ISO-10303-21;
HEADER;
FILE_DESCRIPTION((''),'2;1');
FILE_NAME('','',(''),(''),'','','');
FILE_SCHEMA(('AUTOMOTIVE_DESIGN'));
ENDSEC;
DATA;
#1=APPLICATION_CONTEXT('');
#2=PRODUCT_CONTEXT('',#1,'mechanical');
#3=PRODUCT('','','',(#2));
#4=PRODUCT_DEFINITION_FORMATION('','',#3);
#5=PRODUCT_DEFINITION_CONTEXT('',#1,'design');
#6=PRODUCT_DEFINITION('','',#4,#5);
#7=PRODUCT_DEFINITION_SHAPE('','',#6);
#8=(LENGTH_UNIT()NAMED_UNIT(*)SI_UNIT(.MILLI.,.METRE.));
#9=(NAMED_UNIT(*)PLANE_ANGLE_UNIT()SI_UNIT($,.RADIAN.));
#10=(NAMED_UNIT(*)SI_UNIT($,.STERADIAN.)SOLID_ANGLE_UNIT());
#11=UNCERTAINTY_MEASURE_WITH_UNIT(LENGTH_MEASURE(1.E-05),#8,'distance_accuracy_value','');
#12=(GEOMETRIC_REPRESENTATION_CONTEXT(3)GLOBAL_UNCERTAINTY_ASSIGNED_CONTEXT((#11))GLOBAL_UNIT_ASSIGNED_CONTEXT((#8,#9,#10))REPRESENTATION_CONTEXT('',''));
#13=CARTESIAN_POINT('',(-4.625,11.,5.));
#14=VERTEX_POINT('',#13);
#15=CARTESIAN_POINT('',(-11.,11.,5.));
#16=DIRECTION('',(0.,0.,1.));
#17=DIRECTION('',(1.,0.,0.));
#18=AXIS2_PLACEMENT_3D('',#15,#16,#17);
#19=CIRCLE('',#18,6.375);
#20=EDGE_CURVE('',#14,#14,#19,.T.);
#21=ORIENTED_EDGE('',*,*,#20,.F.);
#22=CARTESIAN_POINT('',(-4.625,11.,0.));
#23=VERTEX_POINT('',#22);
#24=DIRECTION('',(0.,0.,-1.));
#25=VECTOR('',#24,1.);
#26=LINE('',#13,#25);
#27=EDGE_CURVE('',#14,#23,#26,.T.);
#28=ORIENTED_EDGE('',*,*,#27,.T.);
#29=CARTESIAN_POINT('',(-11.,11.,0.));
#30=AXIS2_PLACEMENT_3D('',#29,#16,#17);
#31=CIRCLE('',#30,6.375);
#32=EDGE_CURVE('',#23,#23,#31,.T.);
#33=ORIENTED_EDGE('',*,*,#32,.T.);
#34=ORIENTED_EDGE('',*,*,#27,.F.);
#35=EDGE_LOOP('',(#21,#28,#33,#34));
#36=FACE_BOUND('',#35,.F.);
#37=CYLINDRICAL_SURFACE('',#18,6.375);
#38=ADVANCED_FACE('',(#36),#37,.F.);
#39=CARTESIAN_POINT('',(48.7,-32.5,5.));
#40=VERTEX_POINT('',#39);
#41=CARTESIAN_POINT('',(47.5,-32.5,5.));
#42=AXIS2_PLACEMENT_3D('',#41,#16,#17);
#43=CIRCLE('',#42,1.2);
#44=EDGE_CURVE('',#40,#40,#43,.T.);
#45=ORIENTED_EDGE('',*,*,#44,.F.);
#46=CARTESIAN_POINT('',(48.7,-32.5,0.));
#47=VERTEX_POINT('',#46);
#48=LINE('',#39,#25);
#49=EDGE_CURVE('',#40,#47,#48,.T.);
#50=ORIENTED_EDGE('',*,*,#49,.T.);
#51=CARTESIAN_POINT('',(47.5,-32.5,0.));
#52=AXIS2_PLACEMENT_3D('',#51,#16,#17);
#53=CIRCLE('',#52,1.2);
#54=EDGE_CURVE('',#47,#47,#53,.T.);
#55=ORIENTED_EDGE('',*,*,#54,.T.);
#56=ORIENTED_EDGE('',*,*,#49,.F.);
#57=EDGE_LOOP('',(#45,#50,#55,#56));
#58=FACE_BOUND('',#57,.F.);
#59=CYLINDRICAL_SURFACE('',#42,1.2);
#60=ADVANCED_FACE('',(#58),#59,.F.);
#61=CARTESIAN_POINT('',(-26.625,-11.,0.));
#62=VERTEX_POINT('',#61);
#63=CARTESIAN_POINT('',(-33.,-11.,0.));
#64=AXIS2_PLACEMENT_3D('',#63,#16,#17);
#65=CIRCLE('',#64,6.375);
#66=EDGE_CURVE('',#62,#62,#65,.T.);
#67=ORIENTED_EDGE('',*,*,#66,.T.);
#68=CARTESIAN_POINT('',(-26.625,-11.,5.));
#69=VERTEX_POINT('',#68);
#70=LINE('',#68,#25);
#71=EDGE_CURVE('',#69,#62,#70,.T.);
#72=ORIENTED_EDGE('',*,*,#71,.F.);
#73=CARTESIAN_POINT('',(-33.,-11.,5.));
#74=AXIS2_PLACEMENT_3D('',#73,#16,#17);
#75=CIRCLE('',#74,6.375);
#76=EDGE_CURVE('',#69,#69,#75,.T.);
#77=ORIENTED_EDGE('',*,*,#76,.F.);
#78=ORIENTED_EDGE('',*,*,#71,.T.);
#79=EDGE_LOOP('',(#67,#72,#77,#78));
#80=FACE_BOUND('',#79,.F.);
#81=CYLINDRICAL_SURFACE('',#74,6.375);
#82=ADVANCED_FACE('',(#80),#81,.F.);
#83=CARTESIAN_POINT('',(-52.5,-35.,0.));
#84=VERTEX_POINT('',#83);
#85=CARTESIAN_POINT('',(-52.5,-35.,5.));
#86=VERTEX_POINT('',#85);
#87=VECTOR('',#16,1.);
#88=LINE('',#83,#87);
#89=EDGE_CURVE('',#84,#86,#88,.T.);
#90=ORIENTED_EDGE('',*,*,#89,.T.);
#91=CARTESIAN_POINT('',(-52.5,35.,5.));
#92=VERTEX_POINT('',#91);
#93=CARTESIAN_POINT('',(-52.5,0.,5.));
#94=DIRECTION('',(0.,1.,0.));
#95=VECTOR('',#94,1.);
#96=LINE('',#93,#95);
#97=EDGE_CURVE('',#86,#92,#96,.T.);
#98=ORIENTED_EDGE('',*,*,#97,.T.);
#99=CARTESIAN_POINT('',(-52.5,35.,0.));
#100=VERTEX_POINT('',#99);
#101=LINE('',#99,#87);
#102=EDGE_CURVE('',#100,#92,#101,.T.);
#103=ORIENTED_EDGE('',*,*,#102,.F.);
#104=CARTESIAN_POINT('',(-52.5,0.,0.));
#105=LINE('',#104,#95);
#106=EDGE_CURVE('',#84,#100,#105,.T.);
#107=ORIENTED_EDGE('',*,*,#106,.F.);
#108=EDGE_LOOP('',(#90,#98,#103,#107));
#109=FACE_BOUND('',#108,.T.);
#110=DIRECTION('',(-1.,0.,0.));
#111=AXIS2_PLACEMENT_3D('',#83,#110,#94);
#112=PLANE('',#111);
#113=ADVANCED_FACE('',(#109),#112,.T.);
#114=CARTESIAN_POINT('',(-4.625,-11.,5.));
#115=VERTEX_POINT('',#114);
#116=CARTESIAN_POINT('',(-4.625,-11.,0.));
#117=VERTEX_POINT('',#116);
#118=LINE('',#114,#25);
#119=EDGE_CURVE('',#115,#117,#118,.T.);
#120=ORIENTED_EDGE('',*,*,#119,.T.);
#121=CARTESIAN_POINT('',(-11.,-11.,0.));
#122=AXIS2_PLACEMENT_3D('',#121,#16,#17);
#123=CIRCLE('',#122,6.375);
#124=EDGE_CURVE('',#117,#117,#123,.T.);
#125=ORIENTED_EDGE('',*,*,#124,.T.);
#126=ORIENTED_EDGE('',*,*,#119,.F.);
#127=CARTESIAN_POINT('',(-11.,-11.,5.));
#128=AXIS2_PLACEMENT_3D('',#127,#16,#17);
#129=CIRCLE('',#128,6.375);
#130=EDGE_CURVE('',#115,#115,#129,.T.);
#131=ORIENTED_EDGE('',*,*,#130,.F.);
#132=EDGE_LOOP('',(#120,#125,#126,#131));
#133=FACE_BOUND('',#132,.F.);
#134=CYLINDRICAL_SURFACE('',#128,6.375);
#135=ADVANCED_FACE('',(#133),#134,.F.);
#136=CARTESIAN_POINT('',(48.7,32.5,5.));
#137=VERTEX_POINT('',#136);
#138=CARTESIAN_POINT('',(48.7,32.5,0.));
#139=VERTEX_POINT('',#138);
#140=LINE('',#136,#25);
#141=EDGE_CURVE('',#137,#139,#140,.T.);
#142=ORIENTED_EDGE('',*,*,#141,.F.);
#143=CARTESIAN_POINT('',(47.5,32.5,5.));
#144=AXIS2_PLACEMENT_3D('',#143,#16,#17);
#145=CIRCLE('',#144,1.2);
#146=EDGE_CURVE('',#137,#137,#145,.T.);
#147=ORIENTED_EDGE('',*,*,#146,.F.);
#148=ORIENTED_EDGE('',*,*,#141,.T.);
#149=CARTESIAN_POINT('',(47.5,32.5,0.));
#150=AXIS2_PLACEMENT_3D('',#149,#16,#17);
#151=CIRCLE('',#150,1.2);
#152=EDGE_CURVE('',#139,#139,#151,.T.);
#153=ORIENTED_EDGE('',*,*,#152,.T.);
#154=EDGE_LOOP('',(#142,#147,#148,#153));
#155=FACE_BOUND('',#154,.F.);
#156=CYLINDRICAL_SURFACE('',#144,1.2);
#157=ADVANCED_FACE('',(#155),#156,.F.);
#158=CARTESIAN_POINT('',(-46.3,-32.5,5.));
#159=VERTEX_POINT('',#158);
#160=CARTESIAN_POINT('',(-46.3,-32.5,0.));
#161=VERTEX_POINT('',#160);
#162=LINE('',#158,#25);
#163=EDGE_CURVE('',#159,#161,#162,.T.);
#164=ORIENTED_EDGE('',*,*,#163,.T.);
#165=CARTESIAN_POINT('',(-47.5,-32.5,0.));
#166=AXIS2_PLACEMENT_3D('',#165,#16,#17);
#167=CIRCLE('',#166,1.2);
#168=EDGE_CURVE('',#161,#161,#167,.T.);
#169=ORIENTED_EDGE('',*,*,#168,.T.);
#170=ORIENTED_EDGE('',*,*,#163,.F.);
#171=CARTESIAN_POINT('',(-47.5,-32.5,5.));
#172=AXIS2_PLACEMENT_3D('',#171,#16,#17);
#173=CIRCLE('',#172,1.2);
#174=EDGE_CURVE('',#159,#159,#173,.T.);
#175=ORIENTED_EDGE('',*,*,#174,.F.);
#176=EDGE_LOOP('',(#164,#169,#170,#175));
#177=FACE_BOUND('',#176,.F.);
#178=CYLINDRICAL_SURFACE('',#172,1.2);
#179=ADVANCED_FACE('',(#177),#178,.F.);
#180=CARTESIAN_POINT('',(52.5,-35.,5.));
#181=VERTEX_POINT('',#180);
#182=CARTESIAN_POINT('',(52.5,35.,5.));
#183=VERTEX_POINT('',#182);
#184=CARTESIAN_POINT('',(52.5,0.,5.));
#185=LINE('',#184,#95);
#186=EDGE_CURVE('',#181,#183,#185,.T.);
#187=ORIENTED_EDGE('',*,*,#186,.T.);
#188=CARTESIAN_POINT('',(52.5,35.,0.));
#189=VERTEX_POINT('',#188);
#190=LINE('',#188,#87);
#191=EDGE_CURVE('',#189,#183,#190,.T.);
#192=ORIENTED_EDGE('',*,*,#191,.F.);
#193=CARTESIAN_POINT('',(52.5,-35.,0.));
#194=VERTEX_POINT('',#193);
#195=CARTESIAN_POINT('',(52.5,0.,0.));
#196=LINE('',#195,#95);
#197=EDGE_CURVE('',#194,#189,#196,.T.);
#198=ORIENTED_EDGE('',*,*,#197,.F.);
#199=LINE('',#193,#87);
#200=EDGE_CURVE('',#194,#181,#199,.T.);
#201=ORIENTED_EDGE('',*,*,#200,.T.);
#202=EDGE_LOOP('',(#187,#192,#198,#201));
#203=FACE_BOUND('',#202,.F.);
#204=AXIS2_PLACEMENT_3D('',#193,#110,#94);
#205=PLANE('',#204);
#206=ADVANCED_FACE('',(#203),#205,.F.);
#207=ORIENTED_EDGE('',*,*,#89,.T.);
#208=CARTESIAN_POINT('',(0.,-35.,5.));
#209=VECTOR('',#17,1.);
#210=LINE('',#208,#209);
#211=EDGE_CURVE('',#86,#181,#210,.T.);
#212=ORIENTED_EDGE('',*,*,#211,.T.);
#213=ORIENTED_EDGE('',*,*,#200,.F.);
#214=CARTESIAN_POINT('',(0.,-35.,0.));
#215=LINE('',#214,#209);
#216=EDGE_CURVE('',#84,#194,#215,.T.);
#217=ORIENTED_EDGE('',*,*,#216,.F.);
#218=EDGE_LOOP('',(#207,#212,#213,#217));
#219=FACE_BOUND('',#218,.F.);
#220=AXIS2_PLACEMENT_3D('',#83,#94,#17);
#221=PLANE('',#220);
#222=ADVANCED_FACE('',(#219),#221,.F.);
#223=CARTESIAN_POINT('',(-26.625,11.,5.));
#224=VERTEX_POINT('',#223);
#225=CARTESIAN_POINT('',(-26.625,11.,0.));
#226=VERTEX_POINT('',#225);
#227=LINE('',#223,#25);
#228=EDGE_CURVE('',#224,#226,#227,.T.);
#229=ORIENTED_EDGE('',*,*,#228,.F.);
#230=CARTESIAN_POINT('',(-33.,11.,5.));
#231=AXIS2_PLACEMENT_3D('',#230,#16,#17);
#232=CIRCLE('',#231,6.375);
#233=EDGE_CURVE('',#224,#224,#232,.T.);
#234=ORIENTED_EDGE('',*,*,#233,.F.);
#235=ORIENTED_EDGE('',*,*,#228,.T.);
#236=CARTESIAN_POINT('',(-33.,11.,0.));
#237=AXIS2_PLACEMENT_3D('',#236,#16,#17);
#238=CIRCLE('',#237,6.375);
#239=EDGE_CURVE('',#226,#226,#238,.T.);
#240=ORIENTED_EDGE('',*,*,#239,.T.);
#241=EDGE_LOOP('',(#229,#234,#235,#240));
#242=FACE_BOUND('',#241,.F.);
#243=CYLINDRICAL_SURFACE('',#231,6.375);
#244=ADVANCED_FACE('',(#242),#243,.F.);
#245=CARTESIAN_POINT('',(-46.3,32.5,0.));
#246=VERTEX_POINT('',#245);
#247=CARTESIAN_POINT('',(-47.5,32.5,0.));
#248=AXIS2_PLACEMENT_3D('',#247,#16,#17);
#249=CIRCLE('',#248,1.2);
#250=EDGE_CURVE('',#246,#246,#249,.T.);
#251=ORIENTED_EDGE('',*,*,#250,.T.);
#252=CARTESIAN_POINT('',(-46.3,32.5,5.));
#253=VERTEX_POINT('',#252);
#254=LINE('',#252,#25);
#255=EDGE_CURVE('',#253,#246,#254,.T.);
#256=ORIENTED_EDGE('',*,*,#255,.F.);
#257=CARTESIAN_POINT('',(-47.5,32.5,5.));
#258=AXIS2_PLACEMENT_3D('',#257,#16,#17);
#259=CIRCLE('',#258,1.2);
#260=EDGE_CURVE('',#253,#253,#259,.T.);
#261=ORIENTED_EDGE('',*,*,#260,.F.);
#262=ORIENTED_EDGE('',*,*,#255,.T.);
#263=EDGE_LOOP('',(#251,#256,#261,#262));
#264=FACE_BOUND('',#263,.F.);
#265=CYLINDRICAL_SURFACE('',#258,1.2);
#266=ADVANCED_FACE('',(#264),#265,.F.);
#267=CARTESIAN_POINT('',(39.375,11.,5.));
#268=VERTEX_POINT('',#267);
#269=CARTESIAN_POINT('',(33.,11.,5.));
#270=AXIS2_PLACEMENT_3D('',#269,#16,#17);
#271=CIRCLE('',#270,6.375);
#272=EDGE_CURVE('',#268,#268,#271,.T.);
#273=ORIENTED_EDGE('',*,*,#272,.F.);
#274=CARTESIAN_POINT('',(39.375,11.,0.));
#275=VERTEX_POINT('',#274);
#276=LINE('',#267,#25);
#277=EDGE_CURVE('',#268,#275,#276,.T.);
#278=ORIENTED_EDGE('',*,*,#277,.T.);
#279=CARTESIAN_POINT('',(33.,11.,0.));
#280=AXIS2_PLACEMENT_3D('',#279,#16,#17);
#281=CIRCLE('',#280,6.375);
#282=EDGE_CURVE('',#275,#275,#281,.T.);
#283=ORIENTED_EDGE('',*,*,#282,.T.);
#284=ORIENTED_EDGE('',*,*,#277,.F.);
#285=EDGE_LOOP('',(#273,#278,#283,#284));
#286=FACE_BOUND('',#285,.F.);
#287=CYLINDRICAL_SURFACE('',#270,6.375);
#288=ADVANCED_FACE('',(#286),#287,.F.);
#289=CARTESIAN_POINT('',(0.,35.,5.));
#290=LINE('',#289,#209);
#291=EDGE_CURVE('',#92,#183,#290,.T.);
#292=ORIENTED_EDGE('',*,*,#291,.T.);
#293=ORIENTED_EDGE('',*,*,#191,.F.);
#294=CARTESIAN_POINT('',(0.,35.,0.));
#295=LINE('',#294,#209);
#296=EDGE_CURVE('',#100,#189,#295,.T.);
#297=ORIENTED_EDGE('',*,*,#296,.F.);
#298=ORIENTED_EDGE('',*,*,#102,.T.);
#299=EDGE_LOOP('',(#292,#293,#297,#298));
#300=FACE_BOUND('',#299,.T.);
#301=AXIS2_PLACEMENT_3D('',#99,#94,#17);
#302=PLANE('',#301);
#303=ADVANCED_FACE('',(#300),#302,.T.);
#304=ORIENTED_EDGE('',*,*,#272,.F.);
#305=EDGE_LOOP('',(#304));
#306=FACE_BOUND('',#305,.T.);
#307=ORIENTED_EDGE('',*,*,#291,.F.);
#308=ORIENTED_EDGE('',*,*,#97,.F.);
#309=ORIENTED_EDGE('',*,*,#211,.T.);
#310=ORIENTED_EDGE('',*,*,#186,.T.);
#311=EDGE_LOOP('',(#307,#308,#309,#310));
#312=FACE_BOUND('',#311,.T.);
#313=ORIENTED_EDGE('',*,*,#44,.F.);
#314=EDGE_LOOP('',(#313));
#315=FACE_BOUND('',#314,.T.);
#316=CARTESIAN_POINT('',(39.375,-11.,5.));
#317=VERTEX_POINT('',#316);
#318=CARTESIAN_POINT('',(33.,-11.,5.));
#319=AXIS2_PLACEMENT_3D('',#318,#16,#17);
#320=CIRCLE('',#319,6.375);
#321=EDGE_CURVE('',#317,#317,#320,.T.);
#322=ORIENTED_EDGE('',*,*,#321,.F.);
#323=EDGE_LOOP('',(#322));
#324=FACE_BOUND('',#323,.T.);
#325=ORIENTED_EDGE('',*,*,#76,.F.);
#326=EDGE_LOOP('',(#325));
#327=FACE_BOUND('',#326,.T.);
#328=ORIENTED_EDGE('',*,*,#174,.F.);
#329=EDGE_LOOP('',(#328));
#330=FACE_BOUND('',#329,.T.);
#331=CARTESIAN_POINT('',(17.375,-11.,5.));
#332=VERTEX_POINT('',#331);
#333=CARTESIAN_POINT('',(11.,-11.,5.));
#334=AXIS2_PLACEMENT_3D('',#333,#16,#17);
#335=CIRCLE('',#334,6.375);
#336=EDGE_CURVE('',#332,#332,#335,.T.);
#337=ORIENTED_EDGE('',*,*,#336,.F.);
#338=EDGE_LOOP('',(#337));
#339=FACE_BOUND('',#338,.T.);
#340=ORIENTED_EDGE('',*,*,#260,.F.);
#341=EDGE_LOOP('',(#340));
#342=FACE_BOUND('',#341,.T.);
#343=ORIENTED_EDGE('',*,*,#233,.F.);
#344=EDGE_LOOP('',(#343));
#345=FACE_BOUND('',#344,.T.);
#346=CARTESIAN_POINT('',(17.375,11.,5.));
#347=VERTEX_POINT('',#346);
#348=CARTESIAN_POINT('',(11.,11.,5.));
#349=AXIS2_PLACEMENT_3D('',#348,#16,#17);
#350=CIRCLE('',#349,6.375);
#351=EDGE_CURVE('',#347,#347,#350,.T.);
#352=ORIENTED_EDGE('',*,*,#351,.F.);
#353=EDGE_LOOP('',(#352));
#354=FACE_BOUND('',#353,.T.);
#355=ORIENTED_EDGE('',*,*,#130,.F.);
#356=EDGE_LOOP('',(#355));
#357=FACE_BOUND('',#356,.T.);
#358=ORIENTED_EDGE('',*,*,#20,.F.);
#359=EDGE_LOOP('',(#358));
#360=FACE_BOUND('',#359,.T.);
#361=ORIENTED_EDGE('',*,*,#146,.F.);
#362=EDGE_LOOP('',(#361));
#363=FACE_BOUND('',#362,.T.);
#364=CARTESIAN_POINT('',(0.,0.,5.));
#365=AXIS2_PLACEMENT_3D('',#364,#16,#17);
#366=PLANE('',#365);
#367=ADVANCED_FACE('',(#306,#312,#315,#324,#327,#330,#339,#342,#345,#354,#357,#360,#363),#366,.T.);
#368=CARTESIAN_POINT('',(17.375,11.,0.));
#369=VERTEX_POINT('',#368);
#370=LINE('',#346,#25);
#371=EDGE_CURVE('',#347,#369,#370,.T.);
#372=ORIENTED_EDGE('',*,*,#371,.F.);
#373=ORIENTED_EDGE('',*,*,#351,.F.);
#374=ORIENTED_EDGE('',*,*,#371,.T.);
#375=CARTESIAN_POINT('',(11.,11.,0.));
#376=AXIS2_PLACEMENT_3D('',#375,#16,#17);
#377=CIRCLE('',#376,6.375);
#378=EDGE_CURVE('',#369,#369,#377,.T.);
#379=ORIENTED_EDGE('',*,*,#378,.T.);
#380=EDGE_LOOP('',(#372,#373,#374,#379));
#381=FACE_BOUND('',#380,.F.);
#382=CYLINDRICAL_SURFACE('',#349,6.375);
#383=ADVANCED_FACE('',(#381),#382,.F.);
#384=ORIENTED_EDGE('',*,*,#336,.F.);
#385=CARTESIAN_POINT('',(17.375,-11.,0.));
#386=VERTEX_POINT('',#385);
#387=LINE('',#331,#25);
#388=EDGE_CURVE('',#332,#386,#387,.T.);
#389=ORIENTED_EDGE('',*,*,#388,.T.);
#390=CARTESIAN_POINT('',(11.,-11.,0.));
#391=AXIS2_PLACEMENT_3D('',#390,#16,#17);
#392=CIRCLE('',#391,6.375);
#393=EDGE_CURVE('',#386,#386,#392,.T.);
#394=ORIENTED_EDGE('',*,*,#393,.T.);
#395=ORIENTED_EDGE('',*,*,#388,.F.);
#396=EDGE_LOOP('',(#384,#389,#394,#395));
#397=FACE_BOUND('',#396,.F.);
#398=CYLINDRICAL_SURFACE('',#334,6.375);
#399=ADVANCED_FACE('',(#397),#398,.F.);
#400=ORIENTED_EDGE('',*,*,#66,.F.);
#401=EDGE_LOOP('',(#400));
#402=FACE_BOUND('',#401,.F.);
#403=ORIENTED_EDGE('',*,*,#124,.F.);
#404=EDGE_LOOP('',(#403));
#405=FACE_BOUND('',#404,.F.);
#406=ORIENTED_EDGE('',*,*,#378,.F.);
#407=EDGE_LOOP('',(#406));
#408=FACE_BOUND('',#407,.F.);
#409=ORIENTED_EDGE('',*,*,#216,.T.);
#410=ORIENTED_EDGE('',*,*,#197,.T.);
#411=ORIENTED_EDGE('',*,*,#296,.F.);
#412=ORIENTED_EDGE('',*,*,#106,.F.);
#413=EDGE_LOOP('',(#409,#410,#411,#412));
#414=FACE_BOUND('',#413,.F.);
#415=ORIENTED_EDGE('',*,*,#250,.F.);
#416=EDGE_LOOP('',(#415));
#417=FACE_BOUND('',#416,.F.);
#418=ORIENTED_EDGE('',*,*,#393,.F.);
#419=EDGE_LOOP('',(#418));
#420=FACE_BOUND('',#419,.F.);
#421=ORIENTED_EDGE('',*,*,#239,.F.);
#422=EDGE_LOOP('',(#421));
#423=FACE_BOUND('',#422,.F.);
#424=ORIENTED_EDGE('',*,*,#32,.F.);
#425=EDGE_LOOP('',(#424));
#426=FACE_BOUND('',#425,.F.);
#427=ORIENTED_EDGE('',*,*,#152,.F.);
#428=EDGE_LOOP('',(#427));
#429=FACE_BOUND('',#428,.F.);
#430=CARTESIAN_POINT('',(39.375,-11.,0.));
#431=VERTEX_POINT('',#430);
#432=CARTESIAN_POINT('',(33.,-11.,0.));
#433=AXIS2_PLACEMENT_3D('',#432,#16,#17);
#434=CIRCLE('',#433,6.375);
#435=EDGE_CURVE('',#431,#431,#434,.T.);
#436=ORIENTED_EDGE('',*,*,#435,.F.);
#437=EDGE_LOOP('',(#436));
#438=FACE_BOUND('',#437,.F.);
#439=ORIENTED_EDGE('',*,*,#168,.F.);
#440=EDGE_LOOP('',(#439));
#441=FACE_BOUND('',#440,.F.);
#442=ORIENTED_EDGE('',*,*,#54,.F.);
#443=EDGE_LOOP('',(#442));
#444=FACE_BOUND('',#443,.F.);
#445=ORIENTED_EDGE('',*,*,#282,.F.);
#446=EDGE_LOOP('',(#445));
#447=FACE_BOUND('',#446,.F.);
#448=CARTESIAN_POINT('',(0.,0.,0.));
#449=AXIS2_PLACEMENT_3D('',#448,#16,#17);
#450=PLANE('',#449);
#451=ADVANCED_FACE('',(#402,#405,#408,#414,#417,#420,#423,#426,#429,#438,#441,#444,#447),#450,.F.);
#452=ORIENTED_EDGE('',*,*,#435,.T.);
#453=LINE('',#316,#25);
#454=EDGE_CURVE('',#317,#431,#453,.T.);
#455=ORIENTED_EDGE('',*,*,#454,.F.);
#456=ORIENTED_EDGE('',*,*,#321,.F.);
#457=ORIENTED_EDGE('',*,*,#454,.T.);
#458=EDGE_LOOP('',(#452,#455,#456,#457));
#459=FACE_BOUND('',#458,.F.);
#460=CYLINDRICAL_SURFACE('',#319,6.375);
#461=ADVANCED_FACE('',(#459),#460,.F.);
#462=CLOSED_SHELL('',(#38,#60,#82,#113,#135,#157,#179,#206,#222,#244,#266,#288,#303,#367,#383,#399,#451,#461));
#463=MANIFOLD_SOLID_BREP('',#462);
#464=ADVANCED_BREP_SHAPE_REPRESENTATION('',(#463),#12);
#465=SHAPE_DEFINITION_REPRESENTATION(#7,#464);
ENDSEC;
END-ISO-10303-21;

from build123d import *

# Parameters (mm, degrees)
SKETCH_W     = 105
SKETCH_H     = 70
PAD_DEPTH    = 5
SKETCH001_R  = 6.375
POCKET_DEPTH = 5
SKETCH002_R  = 1.2
HOLE_DEPTH   = 25


with BuildPart() as part:
    # Sketch → Pad (new body)
    with BuildSketch(Plane.XY):
        Rectangle(SKETCH_W, SKETCH_H)
    extrude(amount=PAD_DEPTH)

    # Sketch001 (on Face6 of Pad) → Pocket (cut)
    with BuildSketch(Plane.XY.offset(5)):
        with Locations((-33, 11)):
            Circle(SKETCH001_R)
        with Locations((33, 11)):
            Circle(SKETCH001_R)
        with Locations((33, -11)):
            Circle(SKETCH001_R)
        with Locations((-33, -11)):
            Circle(SKETCH001_R)
        with Locations((-11, 11)):
            Circle(SKETCH001_R)
        with Locations((11, 11)):
            Circle(SKETCH001_R)
        with Locations((-11, -11)):
            Circle(SKETCH001_R)
        with Locations((11, -11)):
            Circle(SKETCH001_R)
    extrude(amount=-POCKET_DEPTH, mode=Mode.SUBTRACT)

    # Sketch002 (on Face5 of Pocket) → Hole (cut)
    with BuildSketch(Plane.XY.offset(5)):
        with Locations((-47.5, 32.5)):
            Circle(SKETCH002_R)
        with Locations((47.5, 32.5)):
            Circle(SKETCH002_R)
        with Locations((-47.5, -32.5)):
            Circle(SKETCH002_R)
        with Locations((47.5, -32.5)):
            Circle(SKETCH002_R)
    extrude(amount=-HOLE_DEPTH, mode=Mode.SUBTRACT)


solid = part.part
